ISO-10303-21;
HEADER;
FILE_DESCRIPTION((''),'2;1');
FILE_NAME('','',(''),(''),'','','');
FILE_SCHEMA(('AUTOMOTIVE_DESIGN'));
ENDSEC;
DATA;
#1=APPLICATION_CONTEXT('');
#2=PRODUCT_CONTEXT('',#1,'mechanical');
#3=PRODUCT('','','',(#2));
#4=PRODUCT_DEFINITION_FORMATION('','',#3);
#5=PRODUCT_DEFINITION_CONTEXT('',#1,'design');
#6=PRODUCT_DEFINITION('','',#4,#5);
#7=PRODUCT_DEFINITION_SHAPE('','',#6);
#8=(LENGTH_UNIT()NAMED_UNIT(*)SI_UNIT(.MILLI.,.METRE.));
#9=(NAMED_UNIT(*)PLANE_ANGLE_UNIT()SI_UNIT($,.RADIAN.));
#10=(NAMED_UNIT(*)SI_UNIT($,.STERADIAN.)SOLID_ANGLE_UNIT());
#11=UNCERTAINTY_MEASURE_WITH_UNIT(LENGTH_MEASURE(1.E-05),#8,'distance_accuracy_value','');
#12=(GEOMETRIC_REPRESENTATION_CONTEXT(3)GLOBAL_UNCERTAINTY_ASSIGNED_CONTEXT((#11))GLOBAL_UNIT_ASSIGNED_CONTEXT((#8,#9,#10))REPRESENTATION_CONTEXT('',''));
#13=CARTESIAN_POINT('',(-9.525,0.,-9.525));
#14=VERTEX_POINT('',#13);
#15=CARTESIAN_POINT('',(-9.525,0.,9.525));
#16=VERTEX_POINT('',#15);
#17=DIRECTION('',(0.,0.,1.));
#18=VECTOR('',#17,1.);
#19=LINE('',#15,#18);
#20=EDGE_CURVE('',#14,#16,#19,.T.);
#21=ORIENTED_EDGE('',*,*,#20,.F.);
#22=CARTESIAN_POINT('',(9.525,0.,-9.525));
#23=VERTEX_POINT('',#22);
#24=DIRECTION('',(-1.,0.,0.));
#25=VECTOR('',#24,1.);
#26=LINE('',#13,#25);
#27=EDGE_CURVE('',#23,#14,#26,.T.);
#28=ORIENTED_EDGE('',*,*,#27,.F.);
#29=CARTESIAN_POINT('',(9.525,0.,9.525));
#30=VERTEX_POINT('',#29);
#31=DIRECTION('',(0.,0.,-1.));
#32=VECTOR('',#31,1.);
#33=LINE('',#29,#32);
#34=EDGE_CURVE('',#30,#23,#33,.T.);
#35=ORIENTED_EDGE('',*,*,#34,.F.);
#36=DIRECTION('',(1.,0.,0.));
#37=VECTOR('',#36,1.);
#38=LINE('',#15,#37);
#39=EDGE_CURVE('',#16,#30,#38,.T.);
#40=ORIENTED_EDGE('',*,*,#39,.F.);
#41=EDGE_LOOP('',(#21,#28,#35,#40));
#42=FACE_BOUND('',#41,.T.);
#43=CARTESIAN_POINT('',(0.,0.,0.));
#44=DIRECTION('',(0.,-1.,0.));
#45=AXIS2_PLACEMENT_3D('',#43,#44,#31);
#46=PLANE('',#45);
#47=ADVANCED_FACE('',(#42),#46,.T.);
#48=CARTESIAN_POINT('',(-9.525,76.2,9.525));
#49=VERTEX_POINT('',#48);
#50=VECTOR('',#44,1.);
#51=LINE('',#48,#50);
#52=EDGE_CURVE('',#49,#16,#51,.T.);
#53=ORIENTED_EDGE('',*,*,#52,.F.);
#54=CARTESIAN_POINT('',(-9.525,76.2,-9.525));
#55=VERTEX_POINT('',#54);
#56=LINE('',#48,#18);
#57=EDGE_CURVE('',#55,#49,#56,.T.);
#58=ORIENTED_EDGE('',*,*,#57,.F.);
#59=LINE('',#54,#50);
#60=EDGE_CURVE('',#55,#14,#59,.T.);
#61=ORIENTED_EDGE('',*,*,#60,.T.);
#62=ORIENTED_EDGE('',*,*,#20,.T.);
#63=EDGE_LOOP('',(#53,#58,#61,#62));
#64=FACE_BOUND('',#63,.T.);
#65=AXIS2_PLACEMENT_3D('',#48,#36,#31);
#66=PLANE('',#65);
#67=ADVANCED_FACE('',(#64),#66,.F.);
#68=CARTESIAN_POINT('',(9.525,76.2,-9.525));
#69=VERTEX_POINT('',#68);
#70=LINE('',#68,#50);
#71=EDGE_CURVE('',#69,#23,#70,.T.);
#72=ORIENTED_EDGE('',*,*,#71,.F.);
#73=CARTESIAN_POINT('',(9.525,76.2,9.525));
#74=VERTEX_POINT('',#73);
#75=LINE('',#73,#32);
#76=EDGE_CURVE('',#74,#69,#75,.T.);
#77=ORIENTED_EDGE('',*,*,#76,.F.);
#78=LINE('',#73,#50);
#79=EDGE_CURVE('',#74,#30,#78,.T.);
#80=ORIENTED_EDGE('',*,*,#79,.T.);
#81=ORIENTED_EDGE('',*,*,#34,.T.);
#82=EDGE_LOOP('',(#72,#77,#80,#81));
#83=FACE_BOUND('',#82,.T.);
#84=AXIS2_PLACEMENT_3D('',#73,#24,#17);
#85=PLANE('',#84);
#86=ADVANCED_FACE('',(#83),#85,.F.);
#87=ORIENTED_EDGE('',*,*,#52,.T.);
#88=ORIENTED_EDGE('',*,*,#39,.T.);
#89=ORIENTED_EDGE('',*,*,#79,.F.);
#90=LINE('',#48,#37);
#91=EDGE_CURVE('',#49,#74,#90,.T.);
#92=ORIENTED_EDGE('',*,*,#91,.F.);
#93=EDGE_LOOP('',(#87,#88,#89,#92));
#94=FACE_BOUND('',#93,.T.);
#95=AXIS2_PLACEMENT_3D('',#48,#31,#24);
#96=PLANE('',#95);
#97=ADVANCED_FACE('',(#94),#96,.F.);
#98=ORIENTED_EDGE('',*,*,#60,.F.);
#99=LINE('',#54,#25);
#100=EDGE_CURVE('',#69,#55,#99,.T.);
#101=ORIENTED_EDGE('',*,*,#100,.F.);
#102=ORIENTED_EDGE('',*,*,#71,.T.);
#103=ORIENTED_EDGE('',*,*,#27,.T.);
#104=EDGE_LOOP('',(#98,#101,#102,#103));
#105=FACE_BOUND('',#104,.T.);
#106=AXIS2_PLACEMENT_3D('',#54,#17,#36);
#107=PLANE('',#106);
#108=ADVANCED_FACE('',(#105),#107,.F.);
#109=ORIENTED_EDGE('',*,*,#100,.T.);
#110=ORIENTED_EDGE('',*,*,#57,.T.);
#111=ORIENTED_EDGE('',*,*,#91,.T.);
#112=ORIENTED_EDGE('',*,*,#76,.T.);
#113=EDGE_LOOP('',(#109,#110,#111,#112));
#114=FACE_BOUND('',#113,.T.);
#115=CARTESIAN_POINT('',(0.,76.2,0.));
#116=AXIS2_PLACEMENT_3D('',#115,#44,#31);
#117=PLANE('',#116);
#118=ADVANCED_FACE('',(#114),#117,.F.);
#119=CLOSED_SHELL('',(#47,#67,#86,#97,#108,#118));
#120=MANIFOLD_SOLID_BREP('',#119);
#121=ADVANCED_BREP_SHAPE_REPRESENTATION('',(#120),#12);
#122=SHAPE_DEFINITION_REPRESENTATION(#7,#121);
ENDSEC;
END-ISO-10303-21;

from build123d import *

# Parameters (mm, degrees)
SKETCH1_W           = 19.05
SKETCH1_H           = 19.05
BOSS_EXTRUDE1_DEPTH = 76.2


with BuildPart() as part:
    # Sketch1 → Boss-Extrude1 (new body)
    with BuildSketch(Plane(origin=(0, 0, 0), x_dir=(1, 0, 0), z_dir=(0, 1, 0))):
        Rectangle(SKETCH1_W, SKETCH1_H)
    extrude(amount=BOSS_EXTRUDE1_DEPTH)


solid = part.part
